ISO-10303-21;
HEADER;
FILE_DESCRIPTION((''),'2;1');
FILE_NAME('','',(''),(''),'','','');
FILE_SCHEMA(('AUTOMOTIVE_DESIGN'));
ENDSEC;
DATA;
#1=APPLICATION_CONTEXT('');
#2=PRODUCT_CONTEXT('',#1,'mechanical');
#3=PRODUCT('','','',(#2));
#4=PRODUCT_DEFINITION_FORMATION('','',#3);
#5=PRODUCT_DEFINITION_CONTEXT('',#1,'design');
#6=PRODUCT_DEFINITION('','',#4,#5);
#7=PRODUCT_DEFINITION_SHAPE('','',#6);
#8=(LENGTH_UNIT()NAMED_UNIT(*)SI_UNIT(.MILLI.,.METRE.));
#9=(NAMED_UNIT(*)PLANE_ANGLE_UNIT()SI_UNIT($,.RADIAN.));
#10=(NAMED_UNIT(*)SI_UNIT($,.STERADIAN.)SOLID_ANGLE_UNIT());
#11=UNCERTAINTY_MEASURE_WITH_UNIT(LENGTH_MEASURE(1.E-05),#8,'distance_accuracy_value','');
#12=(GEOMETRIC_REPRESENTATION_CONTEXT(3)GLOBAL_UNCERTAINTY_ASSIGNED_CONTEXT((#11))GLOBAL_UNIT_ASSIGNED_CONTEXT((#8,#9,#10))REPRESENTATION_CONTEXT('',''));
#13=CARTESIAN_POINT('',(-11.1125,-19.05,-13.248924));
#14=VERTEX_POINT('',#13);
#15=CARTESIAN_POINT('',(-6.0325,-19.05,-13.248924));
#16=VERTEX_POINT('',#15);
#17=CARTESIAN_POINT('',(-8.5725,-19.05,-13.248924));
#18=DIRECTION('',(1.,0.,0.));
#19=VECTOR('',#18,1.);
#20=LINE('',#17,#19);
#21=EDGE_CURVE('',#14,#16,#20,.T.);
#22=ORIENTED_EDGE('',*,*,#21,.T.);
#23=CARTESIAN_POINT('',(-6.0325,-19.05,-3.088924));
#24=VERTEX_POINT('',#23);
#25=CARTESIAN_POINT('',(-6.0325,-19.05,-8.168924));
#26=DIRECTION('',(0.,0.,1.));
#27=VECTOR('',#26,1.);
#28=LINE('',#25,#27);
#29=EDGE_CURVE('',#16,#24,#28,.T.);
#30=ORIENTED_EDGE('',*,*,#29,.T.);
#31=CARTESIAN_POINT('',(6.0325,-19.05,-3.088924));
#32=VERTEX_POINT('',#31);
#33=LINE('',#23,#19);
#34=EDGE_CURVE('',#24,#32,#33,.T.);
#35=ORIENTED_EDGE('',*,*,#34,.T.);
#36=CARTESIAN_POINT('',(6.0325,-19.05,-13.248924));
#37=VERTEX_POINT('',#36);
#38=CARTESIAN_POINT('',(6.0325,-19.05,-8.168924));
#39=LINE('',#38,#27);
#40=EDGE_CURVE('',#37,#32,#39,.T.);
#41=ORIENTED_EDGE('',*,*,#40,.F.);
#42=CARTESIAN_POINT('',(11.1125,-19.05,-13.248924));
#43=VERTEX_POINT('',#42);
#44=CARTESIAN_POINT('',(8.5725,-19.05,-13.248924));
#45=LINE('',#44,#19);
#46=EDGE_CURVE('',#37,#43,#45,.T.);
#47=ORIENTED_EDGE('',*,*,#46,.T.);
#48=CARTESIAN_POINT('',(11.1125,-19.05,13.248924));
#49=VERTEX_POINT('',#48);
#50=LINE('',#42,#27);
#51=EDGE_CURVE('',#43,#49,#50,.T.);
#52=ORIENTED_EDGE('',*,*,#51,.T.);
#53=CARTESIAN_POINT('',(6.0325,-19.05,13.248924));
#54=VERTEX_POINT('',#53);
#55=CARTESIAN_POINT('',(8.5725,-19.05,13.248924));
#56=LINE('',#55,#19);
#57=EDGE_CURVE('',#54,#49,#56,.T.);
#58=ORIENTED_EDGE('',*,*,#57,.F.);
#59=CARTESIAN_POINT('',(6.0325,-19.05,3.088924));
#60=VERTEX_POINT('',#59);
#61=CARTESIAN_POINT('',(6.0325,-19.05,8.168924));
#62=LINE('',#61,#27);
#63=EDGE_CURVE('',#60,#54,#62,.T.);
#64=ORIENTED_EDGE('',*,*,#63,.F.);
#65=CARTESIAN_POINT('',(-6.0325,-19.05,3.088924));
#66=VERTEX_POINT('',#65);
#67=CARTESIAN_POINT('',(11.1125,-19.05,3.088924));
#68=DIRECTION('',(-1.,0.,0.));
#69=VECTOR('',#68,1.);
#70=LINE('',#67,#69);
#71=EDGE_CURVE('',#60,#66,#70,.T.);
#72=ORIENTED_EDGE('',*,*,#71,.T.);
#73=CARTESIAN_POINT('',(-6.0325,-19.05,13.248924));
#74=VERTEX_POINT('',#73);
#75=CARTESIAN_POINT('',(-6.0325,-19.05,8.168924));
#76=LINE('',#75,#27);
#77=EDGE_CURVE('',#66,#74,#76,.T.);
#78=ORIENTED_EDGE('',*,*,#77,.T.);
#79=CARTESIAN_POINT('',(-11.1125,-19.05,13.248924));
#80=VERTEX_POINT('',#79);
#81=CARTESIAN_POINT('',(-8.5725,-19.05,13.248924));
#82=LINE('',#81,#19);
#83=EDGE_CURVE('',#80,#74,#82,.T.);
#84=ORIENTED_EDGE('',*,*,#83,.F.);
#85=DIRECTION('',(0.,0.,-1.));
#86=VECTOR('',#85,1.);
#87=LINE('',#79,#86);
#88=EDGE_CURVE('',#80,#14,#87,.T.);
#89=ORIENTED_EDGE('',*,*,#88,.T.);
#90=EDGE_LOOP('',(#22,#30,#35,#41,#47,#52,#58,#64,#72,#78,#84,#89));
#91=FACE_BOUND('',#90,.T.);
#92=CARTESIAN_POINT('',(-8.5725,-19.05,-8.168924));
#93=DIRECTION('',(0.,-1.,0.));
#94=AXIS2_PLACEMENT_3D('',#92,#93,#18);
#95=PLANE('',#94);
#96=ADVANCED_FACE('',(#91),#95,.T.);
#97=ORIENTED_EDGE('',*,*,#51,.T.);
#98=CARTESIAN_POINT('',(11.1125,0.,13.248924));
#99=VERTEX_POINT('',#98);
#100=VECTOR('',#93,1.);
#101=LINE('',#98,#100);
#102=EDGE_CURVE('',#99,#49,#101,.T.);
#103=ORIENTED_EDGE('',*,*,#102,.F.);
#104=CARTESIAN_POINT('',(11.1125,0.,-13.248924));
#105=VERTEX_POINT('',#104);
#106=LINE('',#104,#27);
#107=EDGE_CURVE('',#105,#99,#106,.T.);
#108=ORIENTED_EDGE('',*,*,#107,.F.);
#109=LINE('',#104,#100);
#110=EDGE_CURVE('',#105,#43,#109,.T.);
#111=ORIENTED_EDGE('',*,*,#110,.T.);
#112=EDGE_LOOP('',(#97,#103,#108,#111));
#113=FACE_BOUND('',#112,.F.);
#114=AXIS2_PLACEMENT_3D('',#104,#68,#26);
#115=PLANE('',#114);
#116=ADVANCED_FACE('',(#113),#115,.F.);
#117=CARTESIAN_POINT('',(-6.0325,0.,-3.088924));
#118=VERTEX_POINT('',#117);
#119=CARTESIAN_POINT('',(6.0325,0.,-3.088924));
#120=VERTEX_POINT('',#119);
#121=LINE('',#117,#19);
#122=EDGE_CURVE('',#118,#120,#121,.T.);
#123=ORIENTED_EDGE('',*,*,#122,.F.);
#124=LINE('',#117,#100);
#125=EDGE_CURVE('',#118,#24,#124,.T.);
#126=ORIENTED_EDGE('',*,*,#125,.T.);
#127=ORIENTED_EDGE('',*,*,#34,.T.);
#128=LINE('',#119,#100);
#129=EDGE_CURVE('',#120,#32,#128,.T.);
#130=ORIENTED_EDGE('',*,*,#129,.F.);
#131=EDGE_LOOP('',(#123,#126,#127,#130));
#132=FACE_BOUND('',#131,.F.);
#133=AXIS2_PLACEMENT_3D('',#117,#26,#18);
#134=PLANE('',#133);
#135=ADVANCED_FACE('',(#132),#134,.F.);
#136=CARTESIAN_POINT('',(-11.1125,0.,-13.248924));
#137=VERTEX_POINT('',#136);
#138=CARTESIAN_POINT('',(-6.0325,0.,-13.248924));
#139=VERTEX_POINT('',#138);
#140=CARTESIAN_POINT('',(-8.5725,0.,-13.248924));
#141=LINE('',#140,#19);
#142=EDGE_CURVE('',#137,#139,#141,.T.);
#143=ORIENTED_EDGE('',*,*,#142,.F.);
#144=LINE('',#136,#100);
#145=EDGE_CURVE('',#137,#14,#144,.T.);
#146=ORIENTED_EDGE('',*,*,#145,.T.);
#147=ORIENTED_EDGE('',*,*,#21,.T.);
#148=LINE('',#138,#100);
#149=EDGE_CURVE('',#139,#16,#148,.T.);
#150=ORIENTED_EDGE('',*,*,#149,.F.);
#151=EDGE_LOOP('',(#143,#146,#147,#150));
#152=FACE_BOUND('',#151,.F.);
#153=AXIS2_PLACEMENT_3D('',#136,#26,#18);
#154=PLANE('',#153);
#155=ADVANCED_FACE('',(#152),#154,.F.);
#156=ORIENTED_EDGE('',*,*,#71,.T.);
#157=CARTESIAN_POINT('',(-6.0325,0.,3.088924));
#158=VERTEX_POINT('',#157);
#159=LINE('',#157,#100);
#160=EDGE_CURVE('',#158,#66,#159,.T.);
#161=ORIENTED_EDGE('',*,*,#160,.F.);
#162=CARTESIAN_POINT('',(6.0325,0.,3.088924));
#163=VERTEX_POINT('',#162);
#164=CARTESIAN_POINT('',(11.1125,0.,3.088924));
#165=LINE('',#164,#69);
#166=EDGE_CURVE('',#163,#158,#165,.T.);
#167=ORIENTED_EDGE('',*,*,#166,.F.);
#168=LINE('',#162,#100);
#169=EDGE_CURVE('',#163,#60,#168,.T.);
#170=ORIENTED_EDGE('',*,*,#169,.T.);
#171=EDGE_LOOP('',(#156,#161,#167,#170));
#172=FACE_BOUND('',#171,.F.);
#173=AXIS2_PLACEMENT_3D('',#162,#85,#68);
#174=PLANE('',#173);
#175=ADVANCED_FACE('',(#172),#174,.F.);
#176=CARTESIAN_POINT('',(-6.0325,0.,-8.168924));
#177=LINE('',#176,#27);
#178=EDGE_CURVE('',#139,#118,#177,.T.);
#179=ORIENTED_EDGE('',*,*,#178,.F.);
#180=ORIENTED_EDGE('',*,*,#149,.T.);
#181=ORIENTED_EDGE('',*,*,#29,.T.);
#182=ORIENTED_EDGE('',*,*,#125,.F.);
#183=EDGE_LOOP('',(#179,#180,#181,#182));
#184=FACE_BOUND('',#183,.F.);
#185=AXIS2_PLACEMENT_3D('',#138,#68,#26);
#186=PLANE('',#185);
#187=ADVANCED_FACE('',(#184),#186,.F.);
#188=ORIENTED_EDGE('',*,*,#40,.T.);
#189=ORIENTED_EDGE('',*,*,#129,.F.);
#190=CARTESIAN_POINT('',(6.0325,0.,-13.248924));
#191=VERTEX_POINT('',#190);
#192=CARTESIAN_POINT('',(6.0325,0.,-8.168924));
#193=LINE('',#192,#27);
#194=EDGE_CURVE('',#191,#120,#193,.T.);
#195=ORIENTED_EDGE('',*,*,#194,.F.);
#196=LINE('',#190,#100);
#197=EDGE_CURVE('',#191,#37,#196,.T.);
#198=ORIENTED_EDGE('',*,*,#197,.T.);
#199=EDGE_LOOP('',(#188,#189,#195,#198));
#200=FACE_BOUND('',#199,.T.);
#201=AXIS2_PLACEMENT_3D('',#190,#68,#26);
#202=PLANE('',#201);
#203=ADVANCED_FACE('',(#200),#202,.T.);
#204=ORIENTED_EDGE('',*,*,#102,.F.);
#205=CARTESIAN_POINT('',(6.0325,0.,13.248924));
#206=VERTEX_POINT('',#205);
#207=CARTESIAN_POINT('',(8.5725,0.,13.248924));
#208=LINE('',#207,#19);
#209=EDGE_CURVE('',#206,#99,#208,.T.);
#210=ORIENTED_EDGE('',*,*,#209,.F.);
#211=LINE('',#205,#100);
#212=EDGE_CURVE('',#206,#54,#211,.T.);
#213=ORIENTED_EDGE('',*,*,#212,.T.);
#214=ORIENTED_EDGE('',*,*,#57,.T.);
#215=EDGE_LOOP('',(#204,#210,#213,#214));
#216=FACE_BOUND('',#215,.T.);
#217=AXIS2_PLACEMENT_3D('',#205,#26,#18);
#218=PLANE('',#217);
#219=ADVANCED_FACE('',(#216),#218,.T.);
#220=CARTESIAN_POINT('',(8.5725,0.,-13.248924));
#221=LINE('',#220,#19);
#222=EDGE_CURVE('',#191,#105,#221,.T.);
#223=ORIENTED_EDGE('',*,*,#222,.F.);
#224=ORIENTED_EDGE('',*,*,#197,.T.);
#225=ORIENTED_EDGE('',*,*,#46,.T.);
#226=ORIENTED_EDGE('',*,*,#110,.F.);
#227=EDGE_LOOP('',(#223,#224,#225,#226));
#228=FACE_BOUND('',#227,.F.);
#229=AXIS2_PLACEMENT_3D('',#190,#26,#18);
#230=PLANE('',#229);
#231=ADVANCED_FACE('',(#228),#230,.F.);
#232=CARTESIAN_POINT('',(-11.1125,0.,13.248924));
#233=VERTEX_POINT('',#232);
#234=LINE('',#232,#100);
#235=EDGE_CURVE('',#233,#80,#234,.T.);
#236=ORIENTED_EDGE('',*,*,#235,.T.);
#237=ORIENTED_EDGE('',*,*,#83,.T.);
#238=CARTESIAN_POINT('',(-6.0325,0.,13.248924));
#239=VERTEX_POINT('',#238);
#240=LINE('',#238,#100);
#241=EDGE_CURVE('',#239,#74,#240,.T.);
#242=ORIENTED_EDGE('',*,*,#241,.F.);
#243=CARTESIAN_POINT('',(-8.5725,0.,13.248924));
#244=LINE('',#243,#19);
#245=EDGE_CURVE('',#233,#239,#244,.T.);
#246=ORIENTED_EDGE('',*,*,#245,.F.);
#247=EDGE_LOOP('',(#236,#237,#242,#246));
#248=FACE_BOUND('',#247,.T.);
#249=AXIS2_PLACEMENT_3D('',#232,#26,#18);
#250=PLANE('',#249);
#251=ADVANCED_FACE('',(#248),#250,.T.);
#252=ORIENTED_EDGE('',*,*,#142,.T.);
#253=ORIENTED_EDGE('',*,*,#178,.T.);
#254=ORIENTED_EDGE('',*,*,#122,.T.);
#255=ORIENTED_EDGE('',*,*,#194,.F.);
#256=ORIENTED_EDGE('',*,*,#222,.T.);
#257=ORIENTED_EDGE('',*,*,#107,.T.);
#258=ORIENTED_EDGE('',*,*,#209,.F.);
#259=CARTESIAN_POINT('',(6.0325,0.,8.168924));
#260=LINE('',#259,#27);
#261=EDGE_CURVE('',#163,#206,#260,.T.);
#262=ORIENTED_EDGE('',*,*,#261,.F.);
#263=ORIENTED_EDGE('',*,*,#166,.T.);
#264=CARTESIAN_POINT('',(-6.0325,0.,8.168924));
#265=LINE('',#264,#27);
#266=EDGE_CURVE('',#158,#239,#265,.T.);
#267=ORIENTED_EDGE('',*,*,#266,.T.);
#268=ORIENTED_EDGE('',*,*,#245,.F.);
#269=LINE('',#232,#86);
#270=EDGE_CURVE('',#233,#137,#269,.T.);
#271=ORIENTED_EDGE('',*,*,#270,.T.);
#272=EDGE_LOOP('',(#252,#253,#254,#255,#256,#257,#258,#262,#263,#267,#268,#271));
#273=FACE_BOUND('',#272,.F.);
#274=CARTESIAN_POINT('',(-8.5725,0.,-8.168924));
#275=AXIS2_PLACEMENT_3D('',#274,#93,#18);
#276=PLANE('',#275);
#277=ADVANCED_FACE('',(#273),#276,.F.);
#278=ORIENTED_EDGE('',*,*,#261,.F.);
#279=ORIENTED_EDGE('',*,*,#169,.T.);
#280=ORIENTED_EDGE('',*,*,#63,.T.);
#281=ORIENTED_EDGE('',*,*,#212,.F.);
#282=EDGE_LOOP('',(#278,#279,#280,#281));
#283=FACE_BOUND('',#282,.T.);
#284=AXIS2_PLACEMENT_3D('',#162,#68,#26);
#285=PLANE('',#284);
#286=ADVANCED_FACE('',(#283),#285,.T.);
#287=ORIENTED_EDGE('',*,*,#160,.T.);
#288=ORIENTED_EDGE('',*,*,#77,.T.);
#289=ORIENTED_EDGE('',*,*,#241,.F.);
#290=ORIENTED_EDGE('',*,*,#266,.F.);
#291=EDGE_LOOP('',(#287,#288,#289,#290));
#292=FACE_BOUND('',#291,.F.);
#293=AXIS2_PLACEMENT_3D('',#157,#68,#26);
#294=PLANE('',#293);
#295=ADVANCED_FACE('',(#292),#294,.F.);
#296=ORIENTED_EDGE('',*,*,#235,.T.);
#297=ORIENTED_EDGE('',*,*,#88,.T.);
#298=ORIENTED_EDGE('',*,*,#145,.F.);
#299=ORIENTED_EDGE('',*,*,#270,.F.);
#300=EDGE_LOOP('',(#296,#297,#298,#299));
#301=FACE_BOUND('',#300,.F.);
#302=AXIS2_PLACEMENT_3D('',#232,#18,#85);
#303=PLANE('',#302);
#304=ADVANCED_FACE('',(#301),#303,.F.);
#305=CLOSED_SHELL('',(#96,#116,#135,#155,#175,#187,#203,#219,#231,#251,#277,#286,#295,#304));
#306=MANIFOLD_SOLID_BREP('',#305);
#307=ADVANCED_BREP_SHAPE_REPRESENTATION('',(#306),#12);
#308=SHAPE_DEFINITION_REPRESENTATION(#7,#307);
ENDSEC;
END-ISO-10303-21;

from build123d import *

# Parameters (mm, degrees)
F0_W     = 5.08
F0_H     = 10.16
F1_DEPTH = 19.05


with BuildPart() as f1:
    # F0 (on Front) → F1 (new body)
    with BuildSketch(Plane.XZ):
        with Locations((-8.5725, -8.168924)):
            Rectangle(F0_W, F0_H)
        with Locations((8.5725, -8.168924)):
            Rectangle(F0_W, F0_H)
        with Locations((-8.5725, 8.168924)):
            Rectangle(F0_W, F0_H)
        Polygon((-6.0325, 3.088924), (-11.1125, 3.088924), (-11.1125, -3.088924), (-6.0325, -3.088924), (6.0325, -3.088924), (11.1125, -3.088924), (11.1125, 3.088924), (6.0325, 3.088924), align=None)
        with Locations((8.5725, 8.168924)):
            Rectangle(F0_W, F0_H)
    extrude(amount=F1_DEPTH)


solid = f1.part
